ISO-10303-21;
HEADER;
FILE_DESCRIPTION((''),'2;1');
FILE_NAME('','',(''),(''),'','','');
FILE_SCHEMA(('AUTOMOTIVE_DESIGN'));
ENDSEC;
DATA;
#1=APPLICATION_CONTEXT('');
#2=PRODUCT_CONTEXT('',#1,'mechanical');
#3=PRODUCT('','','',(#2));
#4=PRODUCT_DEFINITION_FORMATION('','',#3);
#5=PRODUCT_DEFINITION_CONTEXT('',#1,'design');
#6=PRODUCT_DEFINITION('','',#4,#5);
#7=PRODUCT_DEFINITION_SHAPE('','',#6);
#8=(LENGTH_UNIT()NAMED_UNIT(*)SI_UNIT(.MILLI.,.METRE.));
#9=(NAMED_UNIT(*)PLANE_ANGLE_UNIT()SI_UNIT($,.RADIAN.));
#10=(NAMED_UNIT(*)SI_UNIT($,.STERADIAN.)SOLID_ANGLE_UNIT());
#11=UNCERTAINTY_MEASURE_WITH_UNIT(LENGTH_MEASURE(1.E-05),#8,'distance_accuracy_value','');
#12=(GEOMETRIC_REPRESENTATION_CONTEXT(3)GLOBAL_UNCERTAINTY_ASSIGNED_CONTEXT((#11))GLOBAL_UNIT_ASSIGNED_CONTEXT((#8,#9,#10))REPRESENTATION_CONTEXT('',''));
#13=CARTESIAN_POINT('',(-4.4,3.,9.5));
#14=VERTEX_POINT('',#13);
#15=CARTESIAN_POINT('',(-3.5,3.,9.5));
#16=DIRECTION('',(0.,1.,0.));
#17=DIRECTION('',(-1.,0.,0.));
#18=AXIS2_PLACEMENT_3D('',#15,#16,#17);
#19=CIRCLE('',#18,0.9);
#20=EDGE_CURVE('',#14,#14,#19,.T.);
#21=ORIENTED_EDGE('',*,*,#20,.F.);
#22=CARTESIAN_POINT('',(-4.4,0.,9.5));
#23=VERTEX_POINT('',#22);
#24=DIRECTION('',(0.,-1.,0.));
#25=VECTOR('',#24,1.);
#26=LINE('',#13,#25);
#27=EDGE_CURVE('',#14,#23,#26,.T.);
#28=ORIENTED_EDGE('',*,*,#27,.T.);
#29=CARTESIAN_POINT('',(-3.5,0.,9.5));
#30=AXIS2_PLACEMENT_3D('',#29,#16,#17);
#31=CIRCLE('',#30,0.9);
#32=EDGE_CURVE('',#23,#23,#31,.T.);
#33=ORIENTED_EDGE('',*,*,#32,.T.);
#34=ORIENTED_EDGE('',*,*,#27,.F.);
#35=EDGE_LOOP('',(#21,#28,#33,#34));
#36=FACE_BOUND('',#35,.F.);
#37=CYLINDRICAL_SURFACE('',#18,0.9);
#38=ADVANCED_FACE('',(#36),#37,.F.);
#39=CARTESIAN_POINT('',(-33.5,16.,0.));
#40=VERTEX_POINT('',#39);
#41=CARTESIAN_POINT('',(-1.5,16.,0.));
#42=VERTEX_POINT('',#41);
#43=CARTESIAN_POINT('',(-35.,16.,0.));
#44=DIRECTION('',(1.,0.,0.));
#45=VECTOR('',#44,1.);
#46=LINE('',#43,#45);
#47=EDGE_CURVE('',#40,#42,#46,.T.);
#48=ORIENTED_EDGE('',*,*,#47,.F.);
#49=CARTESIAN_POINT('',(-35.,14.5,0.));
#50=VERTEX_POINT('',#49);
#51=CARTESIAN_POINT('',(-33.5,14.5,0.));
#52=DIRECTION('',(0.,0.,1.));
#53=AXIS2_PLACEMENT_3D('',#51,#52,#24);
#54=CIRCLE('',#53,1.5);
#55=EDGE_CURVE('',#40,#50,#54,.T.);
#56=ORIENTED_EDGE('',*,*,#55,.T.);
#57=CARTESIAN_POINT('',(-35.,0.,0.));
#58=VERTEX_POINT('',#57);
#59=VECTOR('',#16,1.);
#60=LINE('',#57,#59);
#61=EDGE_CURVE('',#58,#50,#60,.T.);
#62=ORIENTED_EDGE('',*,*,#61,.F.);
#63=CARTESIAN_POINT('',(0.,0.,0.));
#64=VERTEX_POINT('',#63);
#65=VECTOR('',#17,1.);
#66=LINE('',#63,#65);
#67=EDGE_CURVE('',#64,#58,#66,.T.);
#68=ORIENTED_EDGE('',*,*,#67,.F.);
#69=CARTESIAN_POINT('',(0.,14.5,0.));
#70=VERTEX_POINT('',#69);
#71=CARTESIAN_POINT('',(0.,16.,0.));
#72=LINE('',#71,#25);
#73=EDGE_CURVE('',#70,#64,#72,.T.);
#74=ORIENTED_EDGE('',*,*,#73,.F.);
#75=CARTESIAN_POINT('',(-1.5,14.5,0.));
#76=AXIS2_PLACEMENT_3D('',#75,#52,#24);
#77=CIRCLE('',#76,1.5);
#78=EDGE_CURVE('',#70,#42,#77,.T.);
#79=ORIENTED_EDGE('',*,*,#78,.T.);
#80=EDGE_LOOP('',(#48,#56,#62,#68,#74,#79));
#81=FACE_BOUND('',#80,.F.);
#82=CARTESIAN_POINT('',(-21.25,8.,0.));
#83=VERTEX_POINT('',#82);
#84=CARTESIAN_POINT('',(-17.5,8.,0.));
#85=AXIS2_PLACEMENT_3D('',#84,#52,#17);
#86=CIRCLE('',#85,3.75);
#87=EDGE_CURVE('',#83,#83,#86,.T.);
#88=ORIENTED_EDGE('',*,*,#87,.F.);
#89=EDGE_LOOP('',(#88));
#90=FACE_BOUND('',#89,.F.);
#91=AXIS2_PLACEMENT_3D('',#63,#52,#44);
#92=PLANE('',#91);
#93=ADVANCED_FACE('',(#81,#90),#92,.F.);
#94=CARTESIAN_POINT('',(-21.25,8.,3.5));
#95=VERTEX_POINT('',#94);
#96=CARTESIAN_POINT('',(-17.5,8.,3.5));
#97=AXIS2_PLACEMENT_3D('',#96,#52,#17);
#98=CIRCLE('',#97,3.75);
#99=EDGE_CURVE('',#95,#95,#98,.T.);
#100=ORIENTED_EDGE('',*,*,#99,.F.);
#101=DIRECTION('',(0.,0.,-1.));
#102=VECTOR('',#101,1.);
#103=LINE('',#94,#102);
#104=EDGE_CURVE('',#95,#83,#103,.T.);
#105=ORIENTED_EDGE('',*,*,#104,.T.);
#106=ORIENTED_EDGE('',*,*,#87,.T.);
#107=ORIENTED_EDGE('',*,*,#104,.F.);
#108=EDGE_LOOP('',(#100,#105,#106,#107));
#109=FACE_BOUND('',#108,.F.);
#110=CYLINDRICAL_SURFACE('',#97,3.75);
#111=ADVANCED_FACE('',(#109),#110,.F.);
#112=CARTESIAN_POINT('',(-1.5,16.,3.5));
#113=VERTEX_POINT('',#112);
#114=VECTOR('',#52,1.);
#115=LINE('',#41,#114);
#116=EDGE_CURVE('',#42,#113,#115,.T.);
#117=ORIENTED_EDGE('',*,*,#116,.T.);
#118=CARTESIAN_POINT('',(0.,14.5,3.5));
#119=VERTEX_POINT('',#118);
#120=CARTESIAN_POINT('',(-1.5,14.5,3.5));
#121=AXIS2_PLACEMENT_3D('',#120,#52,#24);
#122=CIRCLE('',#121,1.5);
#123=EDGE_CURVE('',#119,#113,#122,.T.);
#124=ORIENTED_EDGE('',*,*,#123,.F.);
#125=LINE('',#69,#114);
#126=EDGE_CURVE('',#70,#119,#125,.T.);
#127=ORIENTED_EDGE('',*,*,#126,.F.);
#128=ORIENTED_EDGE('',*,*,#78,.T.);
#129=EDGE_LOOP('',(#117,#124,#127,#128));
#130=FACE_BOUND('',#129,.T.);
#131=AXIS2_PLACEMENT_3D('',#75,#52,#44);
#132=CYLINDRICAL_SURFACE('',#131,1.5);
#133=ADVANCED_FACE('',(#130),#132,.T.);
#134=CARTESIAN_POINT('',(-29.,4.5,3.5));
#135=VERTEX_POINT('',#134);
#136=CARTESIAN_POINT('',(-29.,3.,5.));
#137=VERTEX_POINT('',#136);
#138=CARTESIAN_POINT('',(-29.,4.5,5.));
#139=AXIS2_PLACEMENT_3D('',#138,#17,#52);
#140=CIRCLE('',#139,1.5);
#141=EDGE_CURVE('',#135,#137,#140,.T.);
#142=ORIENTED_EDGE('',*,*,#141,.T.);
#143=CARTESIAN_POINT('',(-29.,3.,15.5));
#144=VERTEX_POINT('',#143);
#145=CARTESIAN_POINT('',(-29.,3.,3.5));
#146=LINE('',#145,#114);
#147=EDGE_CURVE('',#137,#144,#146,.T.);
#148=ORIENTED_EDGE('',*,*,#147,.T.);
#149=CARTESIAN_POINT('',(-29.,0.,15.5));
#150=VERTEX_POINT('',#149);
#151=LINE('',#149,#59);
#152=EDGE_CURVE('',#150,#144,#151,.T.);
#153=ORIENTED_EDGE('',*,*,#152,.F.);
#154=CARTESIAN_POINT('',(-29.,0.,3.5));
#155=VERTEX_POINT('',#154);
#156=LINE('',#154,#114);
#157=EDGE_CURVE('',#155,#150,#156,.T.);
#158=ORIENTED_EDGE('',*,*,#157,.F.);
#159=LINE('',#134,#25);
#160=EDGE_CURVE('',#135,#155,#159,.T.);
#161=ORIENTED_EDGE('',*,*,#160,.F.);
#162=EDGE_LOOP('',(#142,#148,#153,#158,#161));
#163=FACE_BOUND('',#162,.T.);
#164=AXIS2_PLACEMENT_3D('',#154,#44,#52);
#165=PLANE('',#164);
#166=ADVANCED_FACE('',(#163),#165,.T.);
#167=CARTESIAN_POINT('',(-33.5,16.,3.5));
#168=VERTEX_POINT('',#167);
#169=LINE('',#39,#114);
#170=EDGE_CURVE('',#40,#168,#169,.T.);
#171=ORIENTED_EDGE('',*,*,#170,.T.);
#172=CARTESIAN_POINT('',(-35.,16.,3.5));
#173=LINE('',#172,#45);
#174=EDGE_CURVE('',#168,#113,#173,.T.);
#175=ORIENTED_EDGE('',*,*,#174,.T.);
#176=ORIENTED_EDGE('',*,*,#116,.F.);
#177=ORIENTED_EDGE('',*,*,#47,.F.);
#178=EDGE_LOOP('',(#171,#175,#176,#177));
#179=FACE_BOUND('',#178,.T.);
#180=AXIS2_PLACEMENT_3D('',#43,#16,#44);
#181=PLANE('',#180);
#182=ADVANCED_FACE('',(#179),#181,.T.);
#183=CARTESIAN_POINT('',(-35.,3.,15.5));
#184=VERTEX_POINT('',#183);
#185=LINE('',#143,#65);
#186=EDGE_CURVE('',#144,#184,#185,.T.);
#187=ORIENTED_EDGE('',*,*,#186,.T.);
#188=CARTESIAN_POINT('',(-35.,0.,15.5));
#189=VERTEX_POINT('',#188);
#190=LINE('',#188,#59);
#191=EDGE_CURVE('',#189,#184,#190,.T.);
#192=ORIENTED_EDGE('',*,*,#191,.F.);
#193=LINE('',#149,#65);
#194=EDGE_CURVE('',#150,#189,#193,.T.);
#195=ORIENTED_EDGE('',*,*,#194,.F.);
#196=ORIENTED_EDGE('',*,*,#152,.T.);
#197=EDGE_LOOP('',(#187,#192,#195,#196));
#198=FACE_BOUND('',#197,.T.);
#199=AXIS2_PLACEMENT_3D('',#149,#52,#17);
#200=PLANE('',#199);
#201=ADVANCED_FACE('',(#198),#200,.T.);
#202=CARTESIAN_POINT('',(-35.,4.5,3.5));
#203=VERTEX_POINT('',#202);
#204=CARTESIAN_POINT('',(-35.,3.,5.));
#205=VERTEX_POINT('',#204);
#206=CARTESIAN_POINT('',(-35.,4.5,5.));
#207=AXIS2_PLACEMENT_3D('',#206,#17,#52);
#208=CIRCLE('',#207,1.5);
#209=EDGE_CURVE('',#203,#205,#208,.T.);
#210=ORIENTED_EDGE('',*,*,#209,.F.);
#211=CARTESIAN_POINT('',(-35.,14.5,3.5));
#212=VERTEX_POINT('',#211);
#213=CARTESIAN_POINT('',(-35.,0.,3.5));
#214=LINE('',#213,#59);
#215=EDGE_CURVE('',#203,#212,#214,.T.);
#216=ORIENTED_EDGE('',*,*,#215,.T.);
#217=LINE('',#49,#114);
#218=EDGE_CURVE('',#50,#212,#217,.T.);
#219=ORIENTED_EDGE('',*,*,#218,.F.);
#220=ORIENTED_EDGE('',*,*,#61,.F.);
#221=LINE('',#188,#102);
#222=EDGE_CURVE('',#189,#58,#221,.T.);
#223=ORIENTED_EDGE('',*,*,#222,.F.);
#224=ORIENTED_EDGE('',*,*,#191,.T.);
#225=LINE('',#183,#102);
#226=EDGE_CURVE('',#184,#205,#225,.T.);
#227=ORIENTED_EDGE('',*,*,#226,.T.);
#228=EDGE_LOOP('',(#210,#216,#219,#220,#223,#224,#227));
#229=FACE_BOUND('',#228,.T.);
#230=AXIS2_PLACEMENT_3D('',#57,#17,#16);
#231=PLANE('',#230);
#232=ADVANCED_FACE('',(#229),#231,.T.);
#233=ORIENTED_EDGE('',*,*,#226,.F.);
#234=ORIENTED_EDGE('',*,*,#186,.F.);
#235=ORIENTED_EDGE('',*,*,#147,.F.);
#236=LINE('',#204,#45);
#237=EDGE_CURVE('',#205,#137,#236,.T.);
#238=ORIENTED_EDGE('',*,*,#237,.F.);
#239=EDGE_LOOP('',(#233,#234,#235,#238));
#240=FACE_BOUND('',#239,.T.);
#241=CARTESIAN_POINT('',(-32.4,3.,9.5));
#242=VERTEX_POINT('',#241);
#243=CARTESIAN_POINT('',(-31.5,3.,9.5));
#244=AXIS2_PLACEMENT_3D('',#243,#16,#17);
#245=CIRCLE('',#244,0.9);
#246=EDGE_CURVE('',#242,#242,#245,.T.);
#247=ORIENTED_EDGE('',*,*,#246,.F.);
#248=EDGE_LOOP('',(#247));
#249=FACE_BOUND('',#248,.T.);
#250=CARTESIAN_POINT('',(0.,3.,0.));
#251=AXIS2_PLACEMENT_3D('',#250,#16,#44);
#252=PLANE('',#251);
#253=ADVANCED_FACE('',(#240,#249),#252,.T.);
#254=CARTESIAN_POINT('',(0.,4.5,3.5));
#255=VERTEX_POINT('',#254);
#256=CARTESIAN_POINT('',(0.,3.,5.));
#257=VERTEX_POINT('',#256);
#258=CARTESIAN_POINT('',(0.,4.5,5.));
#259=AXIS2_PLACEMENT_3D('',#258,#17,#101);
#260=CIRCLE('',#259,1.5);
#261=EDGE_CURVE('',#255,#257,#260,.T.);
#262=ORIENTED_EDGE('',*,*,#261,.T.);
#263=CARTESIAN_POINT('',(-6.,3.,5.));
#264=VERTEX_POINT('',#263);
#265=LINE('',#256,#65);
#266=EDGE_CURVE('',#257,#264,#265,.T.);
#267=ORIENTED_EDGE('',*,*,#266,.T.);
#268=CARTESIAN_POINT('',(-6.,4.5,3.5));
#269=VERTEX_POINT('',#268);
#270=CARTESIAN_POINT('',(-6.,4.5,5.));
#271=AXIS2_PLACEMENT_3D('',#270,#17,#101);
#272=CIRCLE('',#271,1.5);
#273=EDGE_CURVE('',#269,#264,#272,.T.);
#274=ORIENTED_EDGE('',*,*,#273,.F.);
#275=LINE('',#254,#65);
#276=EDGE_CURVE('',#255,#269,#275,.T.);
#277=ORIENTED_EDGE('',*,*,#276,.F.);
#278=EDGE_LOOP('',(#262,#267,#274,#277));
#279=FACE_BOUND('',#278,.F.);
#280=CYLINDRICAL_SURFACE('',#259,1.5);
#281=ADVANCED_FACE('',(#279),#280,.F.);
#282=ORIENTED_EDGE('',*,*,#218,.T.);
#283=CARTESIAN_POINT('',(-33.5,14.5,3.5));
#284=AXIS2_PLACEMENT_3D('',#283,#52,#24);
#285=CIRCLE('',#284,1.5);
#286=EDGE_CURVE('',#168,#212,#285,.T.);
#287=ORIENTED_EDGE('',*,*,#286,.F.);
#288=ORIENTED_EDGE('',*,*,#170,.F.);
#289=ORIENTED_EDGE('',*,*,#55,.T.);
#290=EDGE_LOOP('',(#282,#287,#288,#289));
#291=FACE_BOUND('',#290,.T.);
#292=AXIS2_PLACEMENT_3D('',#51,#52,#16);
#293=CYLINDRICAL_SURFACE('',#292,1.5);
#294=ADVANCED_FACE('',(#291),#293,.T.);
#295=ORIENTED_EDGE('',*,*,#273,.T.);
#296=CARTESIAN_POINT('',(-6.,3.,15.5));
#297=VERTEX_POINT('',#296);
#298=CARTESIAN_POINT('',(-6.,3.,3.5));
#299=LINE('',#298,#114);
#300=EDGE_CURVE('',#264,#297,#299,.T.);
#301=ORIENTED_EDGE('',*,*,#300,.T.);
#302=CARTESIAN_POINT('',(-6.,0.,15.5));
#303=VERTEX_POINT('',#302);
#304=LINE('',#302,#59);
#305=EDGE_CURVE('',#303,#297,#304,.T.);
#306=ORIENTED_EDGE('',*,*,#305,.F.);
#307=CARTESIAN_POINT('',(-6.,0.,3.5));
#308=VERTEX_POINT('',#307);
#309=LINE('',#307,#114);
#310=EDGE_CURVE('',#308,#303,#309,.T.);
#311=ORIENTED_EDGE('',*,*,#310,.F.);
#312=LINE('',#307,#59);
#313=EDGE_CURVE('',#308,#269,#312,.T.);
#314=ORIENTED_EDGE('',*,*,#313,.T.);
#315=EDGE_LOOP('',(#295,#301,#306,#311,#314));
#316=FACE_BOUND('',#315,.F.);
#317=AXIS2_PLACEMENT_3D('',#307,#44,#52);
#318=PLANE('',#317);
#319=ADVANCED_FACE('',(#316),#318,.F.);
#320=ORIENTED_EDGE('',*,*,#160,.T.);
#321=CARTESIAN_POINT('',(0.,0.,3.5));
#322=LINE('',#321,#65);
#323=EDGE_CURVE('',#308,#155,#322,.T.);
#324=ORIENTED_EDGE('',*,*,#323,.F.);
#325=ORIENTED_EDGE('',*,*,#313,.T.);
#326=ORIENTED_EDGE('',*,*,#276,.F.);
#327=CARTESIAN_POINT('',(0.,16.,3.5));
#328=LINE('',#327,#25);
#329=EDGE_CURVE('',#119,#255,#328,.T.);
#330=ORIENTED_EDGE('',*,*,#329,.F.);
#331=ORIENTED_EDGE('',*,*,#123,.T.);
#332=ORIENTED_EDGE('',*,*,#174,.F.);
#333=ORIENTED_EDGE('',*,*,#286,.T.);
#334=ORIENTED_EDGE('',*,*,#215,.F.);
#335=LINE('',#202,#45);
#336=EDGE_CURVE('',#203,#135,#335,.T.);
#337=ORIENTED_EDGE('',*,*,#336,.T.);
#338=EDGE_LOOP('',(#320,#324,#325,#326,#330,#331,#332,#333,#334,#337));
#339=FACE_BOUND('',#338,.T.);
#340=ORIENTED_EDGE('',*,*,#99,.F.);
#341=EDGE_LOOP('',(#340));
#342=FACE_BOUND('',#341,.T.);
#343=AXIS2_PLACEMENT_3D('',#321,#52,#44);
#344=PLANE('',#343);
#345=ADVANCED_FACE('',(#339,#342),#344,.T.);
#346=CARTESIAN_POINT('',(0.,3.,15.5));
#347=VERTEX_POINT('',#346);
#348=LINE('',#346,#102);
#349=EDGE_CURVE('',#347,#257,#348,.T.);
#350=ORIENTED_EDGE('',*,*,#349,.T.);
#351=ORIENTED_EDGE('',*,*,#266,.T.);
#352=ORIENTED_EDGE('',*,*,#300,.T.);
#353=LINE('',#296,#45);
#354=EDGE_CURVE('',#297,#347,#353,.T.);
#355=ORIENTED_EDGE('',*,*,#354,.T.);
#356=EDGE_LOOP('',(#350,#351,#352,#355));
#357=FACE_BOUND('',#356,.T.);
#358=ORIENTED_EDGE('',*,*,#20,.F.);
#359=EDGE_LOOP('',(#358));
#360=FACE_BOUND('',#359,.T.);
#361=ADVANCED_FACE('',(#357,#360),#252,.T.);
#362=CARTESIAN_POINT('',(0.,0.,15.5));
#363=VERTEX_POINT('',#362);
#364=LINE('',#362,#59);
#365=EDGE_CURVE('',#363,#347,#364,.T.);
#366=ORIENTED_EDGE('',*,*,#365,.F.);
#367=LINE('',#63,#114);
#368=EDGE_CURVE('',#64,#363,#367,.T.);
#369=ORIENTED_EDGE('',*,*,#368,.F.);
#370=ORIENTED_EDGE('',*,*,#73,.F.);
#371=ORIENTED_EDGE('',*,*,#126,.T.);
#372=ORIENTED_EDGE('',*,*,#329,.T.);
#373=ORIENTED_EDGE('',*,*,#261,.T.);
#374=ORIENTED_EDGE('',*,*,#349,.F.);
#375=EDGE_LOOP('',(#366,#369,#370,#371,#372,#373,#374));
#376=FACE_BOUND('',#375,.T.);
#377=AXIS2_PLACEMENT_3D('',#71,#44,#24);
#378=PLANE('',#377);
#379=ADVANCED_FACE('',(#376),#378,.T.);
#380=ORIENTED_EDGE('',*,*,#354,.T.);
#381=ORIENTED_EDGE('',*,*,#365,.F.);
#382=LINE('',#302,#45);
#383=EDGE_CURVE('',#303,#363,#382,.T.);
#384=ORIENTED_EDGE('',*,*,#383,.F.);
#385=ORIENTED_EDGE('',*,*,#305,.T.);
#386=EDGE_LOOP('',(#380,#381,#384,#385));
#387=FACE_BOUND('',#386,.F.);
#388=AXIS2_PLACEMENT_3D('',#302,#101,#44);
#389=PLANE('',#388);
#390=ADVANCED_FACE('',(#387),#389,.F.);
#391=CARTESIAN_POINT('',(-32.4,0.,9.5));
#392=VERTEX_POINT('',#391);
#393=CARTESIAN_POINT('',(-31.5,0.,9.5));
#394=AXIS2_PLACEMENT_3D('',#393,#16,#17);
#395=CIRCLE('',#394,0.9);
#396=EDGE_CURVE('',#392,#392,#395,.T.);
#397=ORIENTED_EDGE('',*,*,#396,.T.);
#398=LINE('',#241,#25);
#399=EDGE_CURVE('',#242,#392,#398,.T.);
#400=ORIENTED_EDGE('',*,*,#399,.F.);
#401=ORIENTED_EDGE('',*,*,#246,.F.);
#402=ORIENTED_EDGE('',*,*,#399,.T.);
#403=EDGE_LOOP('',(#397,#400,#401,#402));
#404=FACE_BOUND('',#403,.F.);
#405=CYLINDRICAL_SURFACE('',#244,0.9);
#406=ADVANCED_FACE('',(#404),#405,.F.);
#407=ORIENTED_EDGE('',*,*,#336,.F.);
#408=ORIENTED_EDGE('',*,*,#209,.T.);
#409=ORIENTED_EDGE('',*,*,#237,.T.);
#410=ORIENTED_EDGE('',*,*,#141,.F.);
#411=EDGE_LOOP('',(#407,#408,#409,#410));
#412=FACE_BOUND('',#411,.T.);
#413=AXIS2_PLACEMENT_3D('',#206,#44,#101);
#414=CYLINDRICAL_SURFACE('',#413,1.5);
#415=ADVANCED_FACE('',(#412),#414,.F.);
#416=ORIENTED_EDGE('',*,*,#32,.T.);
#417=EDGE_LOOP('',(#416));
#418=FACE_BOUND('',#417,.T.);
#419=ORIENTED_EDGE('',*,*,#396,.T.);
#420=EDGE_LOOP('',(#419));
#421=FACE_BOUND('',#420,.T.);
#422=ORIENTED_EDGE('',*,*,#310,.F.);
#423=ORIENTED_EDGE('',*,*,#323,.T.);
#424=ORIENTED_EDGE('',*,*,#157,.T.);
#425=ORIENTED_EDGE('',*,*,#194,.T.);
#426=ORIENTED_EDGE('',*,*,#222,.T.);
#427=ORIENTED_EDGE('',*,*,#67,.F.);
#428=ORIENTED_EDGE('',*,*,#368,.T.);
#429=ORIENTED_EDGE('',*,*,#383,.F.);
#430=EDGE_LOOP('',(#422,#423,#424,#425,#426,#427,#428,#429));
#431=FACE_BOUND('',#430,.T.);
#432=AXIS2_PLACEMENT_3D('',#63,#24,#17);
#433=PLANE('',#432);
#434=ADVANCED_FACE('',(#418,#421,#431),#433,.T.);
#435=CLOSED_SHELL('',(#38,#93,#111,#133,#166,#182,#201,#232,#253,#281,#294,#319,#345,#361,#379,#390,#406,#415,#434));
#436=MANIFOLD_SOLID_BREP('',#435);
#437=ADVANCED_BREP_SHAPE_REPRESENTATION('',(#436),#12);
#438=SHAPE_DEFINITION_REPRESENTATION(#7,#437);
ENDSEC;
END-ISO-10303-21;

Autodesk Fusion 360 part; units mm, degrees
sketch "Sketch1" plane through (0, 0, 0) normal (0, 0, 1) x (1, 0, 0)
  line L0 (0, 0) -> (-35, 0)
  line L1 (-35, 0) -> (-35, 16)
  line L2 (-35, 16) -> (0, 16)
  line L3 (0, 16) -> (0, 0)
  dimension "d14" = 16
  dimension "d15" = 35
extrude "Extrude1" add sketch "Sketch1" along normal blind 3.5
sketch "Sketch3" plane through (0, 0, 0) normal (0, 1, 0) x (1, 0, 0)
  line L0 (0, -3.5) -> (-6, -3.5)
  line L1 (-6, -3.5) -> (-6, -15.5)
  line L2 (-6, -15.5) -> (0, -15.5)
  line L3 (0, -15.5) -> (0, -3.5)
  line L4 (-35, -3.5) -> (-29, -3.5)
  line L5 (-29, -3.5) -> (-29, -15.5)
  line L6 (-29, -15.5) -> (-35, -15.5)
  line L7 (-35, -15.5) -> (-35, -3.5)
  point P0 (0, -3.5)
  point P1 (-35, -3.5)
  dimension "d17" = 12
  dimension "d19" = 23
extrude "Extrude3" add sketch "Sketch3" along normal blind 3
sketch "Sketch4" plane through (0, 0, 3.5) normal (0, 0, 1) x (-1, 0, 0)
  line L0 (6, 0) -> (6, -3)
  line L1 (6, -3) -> (0, -3)
  line L2 (0, -3) -> (0, -16)
  line L3 (0, -16) -> (35, -16)
  line L4 (35, -16) -> (35, -3)
  line L5 (35, -3) -> (29, -3)
  line L6 (29, -3) -> (29, 0)
  line L7 (29, 0) -> (6, 0)
  line L8 (0, -16) -> (35, 0) construction
  line L9 (35, -16) -> (0, 0) construction
  circle A0 centre (17.5, -8) radius 3.75
  dimension "d22" = 7.5
extrude "Extrude4" cut sketch "Sketch4" against normal up to surface (3.5 mm away) contours A0
sketch "Sketch7" plane through (0, 3, 0) normal (0, 1, 0) x (-1, 0, 0)
  line L0 (0, 15.5) -> (0, 3.5)
  line L1 (0, 3.5) -> (6, 3.5)
  line L2 (6, 3.5) -> (6, 15.5)
  line L3 (6, 15.5) -> (0, 15.5)
  line L4 (0, 9.5) -> (35, 9.5) construction
  line L5 (35, 3.5) -> (35, 15.5) construction
  circle A0 centre (3.5, 9.5) radius 0.9
  circle A1 centre (31.5, 9.5) radius 0.9
  line L6 (32.4, 9.5) -> (32.3186, 9.874) construction
  point P0 (17.5, 9.5)
  dimension "d30" = 1.8
  dimension "d31" = 14
  dimension "d32" = 1.8
  dimension "d33" = 14
extrude "Extrude6" cut sketch "Sketch7" against normal up to surface (3 mm away) contours A0 | A1
fillet "Fillet1" radius 1.5 2 edges at (-3, 3, 3.5) (-32, 3, 3.5)
fillet "Fillet2" radius 1.5 2 edges at (0, 16, 1.75) (-35, 16, 1.75)
extrude "Extrude2" [suppressed]
hole "Hole1" [suppressed]
hole "Hole2" [suppressed]
hole "Hole3" [suppressed]
